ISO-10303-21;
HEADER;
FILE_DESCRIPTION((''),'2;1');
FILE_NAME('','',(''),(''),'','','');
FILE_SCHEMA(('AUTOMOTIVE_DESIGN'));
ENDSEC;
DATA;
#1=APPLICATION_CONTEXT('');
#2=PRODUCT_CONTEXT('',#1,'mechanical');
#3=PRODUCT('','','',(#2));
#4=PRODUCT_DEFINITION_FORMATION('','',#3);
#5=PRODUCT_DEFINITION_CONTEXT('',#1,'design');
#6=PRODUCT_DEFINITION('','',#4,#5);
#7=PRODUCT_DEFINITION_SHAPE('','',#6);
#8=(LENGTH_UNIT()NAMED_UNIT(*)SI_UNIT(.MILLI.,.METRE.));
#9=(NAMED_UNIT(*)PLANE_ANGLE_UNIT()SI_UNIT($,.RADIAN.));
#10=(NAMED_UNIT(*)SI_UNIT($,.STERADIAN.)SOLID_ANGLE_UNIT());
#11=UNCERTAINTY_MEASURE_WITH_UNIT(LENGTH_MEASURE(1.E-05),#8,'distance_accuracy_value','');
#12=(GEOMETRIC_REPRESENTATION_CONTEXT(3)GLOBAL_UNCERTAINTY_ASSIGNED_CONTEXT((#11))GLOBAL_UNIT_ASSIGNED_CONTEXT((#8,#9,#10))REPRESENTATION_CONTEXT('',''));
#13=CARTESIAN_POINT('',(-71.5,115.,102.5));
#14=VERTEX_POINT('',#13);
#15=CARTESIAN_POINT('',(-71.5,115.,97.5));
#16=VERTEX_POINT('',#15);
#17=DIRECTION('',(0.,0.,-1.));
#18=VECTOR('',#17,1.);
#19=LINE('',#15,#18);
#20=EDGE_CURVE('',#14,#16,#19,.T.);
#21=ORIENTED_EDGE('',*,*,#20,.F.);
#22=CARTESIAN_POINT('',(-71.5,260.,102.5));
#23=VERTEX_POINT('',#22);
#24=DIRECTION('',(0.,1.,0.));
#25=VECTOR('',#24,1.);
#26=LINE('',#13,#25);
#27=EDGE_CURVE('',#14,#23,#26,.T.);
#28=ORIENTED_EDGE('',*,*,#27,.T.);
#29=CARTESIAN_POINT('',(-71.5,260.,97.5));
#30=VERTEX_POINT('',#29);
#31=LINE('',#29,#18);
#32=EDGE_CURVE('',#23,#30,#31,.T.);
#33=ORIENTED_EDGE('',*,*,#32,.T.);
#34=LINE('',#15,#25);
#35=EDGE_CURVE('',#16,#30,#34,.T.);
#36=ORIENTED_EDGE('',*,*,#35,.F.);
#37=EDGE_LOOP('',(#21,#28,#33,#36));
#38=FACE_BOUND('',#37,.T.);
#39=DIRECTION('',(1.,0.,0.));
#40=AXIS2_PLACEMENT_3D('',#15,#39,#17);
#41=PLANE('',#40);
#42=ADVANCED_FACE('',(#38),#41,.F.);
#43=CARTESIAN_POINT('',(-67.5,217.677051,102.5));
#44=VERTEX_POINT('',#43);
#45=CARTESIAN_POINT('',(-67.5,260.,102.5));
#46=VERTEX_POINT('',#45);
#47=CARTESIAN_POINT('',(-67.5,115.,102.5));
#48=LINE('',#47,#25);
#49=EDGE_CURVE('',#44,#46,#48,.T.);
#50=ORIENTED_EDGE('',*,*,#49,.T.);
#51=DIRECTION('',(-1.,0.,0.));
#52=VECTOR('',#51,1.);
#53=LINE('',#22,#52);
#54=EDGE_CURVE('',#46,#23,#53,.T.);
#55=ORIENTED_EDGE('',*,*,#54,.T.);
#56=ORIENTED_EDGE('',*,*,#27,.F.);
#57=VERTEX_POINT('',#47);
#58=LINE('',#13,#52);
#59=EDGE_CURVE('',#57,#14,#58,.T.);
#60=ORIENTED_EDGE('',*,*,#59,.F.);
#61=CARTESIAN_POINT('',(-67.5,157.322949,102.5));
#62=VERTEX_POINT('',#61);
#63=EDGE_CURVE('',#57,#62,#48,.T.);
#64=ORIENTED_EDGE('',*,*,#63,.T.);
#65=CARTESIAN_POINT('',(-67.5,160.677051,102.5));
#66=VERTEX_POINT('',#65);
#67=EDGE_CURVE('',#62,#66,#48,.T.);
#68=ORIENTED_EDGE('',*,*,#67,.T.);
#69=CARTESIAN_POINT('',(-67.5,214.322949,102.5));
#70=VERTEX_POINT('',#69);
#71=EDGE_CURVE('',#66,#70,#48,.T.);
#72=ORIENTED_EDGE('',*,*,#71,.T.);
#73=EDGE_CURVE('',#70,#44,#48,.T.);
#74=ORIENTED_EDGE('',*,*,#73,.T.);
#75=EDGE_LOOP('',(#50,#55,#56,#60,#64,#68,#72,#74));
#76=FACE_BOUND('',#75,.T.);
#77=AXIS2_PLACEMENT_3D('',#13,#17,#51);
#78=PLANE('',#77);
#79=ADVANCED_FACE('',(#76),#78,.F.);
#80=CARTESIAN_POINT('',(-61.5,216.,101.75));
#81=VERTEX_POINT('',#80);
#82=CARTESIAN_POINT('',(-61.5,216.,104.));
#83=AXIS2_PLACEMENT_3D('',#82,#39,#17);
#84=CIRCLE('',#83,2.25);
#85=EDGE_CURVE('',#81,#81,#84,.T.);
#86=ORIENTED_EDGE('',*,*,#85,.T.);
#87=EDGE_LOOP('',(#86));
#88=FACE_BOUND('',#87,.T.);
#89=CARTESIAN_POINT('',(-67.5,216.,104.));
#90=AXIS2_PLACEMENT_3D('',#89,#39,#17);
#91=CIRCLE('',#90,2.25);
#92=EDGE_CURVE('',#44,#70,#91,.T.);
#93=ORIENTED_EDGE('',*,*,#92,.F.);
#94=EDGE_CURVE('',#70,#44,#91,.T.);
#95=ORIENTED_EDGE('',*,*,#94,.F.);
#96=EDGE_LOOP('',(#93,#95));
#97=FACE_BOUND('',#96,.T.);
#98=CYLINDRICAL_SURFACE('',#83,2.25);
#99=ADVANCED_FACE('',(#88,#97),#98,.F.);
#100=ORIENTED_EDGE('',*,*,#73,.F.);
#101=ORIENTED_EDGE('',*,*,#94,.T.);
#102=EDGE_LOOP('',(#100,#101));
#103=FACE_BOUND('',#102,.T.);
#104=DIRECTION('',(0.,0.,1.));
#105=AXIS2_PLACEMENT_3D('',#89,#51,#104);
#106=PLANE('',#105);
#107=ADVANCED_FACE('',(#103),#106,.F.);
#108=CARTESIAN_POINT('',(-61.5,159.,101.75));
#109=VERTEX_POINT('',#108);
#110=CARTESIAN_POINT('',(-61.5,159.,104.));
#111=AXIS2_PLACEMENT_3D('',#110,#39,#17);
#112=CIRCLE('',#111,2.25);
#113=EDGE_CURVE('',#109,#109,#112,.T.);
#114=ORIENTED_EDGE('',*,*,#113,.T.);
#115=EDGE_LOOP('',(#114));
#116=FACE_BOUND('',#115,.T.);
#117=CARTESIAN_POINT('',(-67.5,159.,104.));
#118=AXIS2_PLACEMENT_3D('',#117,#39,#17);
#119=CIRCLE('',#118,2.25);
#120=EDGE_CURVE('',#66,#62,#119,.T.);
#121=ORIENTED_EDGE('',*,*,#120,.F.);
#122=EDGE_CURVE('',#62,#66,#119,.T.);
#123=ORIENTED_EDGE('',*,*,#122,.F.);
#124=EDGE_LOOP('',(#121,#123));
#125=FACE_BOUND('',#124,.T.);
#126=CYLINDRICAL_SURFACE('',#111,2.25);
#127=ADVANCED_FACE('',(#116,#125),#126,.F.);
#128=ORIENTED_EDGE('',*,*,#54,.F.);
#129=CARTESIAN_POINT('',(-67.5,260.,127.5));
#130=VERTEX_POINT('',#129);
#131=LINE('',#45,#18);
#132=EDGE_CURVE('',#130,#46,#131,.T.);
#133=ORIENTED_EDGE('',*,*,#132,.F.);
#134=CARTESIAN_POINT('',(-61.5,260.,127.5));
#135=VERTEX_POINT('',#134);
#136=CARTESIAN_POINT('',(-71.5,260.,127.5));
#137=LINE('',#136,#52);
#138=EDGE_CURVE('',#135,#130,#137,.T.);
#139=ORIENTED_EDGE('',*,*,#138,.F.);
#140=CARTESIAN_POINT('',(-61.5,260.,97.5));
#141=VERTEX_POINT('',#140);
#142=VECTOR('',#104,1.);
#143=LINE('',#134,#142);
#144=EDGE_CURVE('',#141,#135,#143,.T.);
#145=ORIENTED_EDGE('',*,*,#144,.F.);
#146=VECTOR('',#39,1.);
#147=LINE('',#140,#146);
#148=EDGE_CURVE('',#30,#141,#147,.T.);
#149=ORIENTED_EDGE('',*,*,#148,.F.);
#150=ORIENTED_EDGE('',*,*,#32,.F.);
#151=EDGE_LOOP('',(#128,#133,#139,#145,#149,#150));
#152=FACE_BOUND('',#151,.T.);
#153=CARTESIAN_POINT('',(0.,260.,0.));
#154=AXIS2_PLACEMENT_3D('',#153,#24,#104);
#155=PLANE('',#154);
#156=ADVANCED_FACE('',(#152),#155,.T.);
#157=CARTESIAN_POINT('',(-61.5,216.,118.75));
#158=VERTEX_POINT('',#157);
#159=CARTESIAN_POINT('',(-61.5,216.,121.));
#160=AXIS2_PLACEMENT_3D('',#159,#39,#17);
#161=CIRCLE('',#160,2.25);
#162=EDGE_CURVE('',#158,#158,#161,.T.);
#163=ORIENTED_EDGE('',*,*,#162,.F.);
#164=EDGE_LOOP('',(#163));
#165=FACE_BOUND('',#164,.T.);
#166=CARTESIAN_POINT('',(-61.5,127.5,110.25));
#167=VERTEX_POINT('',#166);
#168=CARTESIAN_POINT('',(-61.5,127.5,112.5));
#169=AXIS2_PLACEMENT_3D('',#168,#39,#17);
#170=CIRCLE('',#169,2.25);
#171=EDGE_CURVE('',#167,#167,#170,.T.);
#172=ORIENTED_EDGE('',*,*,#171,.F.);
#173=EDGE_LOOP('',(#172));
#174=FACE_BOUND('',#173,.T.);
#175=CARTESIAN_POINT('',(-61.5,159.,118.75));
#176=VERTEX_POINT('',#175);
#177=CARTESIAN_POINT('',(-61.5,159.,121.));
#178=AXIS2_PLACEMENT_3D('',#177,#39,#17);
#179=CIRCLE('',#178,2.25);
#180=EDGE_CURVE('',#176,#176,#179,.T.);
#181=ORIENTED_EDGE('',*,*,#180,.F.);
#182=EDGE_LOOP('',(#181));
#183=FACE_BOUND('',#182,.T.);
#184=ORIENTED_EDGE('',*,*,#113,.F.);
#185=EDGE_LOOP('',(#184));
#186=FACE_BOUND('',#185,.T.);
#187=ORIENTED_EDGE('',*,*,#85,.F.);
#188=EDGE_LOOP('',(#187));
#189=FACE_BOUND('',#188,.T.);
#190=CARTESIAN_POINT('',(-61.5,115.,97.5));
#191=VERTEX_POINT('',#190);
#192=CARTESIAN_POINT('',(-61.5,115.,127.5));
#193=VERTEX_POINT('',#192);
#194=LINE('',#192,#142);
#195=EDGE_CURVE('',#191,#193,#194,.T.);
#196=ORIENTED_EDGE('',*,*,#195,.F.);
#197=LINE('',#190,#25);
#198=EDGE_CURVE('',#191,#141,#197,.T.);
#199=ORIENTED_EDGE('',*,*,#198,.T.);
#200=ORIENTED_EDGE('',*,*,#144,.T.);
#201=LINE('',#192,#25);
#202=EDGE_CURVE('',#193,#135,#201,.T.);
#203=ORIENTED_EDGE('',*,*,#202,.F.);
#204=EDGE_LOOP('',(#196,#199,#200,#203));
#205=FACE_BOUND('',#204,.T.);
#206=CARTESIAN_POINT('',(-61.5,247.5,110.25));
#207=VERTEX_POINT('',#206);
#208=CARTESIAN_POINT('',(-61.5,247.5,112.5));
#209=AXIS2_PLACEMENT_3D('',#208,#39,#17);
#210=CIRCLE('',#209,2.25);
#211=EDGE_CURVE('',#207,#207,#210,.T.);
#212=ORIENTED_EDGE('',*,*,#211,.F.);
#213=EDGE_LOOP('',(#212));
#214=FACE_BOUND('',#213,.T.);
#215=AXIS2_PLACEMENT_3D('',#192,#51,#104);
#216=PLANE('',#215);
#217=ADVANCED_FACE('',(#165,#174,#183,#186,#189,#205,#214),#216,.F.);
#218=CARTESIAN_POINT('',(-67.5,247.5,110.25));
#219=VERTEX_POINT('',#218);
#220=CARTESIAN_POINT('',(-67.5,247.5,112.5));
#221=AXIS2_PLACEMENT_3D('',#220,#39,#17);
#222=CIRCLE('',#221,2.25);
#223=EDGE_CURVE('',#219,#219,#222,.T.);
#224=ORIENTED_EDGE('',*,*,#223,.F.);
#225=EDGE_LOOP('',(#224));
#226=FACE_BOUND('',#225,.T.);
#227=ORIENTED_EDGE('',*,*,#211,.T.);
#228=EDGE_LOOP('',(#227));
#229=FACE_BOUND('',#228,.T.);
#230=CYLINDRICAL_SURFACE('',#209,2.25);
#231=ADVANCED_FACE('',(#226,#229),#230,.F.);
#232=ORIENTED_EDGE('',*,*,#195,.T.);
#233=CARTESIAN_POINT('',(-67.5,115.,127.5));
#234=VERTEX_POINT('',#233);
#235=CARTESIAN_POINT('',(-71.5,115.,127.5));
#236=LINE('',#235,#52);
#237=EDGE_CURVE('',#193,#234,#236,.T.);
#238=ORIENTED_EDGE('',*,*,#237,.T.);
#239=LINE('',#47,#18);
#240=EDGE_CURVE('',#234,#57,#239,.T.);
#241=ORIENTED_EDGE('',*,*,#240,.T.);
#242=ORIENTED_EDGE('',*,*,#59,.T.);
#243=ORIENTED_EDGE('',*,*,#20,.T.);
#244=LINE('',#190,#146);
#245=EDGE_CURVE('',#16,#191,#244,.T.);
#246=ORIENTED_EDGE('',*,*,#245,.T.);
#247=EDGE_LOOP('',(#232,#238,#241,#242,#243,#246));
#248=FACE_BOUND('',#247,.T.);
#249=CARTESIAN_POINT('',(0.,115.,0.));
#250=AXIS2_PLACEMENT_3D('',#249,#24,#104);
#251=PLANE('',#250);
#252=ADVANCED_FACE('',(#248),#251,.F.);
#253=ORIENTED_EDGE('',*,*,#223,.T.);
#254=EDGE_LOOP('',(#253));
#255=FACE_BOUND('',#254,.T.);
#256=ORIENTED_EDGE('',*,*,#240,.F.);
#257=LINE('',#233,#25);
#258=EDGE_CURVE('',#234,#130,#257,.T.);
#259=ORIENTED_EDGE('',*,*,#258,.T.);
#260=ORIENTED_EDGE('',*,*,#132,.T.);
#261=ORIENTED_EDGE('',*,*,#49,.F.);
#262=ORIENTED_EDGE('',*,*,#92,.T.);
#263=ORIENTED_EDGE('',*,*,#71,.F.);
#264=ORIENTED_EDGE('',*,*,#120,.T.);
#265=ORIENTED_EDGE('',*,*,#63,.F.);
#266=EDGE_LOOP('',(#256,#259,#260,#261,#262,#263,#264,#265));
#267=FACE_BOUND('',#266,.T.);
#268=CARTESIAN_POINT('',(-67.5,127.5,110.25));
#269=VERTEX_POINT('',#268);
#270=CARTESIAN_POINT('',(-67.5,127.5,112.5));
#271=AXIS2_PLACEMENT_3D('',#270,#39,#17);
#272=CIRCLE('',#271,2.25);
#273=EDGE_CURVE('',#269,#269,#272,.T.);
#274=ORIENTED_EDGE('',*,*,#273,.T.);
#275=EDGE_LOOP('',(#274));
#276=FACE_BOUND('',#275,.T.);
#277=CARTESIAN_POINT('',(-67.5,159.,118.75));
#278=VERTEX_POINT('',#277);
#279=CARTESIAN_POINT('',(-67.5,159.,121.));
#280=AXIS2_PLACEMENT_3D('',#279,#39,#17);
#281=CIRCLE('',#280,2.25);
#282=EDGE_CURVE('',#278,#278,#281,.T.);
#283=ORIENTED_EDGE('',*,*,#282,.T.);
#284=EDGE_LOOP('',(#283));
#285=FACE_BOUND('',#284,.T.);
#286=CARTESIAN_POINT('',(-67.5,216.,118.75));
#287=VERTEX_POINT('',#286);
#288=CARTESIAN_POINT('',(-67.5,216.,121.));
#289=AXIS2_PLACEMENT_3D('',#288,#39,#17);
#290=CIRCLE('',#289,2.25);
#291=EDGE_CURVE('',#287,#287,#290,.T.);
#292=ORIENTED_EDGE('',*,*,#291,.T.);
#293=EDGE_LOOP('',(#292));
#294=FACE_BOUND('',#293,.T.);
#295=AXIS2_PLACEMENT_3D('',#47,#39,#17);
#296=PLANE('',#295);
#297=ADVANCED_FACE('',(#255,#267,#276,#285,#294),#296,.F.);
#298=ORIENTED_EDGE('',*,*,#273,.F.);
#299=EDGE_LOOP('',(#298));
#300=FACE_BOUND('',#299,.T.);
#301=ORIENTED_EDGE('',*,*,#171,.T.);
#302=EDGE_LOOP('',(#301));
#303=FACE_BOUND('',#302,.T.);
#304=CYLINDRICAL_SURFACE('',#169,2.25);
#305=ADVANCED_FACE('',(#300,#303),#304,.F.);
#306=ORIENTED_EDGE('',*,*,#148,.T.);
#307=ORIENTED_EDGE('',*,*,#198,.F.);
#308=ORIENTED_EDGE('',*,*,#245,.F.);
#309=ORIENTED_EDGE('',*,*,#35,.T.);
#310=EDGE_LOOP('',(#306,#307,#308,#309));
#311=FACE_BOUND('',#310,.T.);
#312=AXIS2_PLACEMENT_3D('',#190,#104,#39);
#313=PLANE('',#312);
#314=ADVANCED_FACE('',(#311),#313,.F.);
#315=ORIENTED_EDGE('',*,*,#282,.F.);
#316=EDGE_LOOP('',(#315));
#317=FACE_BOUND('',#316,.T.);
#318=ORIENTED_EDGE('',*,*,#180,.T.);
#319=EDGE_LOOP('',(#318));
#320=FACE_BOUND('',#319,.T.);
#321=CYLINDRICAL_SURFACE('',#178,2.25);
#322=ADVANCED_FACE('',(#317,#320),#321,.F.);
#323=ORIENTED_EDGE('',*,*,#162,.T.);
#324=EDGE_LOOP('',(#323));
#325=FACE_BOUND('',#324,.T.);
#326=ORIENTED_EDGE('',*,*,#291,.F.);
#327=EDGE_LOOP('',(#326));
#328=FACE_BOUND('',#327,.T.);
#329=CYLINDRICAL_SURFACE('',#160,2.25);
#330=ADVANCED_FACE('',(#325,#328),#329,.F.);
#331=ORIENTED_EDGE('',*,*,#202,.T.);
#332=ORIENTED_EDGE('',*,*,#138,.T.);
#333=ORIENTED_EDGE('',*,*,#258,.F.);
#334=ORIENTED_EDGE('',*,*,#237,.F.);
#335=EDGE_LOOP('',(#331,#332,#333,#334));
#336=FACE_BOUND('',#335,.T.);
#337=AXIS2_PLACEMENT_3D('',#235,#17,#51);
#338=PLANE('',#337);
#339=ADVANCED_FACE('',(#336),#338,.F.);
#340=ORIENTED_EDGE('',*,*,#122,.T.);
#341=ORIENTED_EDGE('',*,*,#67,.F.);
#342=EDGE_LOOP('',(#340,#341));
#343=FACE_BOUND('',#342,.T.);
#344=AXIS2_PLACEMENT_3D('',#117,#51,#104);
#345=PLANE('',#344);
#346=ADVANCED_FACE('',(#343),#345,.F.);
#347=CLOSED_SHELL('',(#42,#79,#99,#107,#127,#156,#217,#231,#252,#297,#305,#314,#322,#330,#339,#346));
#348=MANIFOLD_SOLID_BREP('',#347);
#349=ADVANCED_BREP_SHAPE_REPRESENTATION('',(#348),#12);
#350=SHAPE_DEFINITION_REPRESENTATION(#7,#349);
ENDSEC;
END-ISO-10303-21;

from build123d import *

# Parameters (mm, degrees)
BOSS_EXTRUDE1_DEPTH  = 145
M4_CLEARANCE_HOLE1_D = 4.5
HOLE1_D              = 4.5
HOLE1_DEPTH          = 6
SKETCH8_W            = 5
SKETCH8_H            = 145
CUT_EXTRUDE1_DEPTH   = 4


with BuildPart() as part:
    # Sketch1 → Boss-Extrude1 (new body)
    with BuildSketch(Plane(origin=(0, 260, 0), x_dir=(-1, 0, 0), z_dir=(0, -1, 0))):
        Polygon((71.5, -127.5), (61.5, -127.5), (61.5, -97.5), (71.5, -97.5), (71.5, -102.5), (67.5, -102.5), (67.5, -122.5), (71.5, -122.5), align=None)
    extrude(amount=BOSS_EXTRUDE1_DEPTH)

    # M4 Clearance Hole1 (through all)
    with Locations(Plane(origin=(-61.5, 0, 0), x_dir=(0, 0, -1), z_dir=(1, 0, 0))):
        with Locations((-112.5, 247.5), (-112.5, 127.5)):
            Hole(M4_CLEARANCE_HOLE1_D / 2)

    # Hole1
    with Locations(Plane(origin=(-61.5, 0, 0), x_dir=(0, 0, -1), z_dir=(1, 0, 0))):
        with Locations((-104, 216), (-121, 216), (-104, 159), (-121, 159)):
            Hole(HOLE1_D / 2, depth=HOLE1_DEPTH)

    # Sketch8 → Cut-Extrude1 (cut)
    with BuildSketch(Plane.ZY.offset(71.5)):
        with Locations((125, 187.5)):
            Rectangle(SKETCH8_W, SKETCH8_H)
    extrude(amount=-CUT_EXTRUDE1_DEPTH, mode=Mode.SUBTRACT)


solid = part.part
